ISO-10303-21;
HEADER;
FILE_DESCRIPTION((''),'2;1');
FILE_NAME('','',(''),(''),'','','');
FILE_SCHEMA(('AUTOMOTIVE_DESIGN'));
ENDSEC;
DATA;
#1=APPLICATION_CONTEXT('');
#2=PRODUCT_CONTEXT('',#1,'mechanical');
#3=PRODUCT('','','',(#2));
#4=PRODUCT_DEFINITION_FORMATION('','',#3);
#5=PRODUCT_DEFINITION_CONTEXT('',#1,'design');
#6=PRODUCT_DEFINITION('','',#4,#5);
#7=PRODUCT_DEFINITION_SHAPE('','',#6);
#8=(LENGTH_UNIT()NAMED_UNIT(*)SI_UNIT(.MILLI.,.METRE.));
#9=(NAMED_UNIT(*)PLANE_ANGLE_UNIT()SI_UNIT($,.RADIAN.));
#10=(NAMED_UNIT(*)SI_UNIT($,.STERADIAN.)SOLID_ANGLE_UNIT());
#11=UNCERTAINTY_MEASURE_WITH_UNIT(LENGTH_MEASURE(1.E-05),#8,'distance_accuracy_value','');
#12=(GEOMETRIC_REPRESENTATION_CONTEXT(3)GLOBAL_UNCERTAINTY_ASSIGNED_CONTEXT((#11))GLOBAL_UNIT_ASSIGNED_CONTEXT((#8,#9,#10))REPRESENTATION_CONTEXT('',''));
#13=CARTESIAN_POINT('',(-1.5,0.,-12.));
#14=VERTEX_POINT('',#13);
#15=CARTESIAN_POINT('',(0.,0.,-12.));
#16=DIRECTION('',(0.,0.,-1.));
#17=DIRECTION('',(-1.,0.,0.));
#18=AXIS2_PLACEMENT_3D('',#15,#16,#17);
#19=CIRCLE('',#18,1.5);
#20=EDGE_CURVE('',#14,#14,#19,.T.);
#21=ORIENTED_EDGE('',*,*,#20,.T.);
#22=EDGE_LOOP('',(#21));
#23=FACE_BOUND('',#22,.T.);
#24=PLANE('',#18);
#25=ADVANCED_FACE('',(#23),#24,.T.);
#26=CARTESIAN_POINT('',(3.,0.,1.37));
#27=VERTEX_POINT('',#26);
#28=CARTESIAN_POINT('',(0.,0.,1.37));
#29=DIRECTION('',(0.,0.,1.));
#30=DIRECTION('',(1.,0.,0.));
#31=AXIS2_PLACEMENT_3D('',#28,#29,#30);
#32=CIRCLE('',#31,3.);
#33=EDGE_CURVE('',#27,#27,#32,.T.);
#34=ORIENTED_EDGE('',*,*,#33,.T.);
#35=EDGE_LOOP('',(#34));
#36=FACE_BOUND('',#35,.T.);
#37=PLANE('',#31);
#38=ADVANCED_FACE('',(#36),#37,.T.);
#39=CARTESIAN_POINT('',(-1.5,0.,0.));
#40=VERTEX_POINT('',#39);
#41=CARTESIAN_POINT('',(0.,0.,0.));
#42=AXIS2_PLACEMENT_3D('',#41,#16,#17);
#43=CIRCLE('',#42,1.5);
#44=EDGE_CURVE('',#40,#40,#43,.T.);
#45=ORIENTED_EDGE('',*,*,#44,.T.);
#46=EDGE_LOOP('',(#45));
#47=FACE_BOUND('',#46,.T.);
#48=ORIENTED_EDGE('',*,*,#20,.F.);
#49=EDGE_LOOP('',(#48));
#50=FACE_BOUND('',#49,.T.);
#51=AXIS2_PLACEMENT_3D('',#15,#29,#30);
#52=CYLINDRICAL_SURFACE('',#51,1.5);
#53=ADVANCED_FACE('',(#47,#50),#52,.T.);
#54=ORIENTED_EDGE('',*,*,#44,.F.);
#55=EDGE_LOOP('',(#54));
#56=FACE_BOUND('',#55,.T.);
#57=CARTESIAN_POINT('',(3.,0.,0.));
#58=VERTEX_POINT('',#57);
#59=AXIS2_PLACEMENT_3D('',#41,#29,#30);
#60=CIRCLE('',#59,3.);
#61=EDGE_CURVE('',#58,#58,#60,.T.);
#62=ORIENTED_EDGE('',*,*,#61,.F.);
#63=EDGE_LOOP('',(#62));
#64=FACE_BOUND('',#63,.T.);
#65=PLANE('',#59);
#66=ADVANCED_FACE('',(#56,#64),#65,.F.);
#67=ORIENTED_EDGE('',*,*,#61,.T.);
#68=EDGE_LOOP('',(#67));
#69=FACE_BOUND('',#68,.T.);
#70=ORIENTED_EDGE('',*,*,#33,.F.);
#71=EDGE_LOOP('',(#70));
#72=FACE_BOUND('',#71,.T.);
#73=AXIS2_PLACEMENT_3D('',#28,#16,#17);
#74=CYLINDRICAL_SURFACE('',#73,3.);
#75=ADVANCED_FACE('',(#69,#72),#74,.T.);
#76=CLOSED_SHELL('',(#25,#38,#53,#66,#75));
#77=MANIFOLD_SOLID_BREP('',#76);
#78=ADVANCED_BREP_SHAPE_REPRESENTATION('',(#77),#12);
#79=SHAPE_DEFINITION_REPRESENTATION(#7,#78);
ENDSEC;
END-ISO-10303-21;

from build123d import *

# Parameters (mm, degrees)
ESQUISSE1_R        = 3
BOSS_EXTRU_1_DEPTH = 1.37
ESQUISSE2_R        = 1.5
BOSS_EXTRU_2_DEPTH = 12


with BuildPart() as part:
    # Esquisse1 → Boss.-Extru.1 (new body)
    with BuildSketch(Plane.XY):
        Circle(ESQUISSE1_R)
    extrude(amount=BOSS_EXTRU_1_DEPTH)

    # Esquisse2 → Boss.-Extru.2 (add)
    with BuildSketch(Plane(origin=(0, 0, 0), x_dir=(-1, 0, 0), z_dir=(0, 0, -1))):
        Circle(ESQUISSE2_R)
    extrude(amount=BOSS_EXTRU_2_DEPTH)


solid = part.part
